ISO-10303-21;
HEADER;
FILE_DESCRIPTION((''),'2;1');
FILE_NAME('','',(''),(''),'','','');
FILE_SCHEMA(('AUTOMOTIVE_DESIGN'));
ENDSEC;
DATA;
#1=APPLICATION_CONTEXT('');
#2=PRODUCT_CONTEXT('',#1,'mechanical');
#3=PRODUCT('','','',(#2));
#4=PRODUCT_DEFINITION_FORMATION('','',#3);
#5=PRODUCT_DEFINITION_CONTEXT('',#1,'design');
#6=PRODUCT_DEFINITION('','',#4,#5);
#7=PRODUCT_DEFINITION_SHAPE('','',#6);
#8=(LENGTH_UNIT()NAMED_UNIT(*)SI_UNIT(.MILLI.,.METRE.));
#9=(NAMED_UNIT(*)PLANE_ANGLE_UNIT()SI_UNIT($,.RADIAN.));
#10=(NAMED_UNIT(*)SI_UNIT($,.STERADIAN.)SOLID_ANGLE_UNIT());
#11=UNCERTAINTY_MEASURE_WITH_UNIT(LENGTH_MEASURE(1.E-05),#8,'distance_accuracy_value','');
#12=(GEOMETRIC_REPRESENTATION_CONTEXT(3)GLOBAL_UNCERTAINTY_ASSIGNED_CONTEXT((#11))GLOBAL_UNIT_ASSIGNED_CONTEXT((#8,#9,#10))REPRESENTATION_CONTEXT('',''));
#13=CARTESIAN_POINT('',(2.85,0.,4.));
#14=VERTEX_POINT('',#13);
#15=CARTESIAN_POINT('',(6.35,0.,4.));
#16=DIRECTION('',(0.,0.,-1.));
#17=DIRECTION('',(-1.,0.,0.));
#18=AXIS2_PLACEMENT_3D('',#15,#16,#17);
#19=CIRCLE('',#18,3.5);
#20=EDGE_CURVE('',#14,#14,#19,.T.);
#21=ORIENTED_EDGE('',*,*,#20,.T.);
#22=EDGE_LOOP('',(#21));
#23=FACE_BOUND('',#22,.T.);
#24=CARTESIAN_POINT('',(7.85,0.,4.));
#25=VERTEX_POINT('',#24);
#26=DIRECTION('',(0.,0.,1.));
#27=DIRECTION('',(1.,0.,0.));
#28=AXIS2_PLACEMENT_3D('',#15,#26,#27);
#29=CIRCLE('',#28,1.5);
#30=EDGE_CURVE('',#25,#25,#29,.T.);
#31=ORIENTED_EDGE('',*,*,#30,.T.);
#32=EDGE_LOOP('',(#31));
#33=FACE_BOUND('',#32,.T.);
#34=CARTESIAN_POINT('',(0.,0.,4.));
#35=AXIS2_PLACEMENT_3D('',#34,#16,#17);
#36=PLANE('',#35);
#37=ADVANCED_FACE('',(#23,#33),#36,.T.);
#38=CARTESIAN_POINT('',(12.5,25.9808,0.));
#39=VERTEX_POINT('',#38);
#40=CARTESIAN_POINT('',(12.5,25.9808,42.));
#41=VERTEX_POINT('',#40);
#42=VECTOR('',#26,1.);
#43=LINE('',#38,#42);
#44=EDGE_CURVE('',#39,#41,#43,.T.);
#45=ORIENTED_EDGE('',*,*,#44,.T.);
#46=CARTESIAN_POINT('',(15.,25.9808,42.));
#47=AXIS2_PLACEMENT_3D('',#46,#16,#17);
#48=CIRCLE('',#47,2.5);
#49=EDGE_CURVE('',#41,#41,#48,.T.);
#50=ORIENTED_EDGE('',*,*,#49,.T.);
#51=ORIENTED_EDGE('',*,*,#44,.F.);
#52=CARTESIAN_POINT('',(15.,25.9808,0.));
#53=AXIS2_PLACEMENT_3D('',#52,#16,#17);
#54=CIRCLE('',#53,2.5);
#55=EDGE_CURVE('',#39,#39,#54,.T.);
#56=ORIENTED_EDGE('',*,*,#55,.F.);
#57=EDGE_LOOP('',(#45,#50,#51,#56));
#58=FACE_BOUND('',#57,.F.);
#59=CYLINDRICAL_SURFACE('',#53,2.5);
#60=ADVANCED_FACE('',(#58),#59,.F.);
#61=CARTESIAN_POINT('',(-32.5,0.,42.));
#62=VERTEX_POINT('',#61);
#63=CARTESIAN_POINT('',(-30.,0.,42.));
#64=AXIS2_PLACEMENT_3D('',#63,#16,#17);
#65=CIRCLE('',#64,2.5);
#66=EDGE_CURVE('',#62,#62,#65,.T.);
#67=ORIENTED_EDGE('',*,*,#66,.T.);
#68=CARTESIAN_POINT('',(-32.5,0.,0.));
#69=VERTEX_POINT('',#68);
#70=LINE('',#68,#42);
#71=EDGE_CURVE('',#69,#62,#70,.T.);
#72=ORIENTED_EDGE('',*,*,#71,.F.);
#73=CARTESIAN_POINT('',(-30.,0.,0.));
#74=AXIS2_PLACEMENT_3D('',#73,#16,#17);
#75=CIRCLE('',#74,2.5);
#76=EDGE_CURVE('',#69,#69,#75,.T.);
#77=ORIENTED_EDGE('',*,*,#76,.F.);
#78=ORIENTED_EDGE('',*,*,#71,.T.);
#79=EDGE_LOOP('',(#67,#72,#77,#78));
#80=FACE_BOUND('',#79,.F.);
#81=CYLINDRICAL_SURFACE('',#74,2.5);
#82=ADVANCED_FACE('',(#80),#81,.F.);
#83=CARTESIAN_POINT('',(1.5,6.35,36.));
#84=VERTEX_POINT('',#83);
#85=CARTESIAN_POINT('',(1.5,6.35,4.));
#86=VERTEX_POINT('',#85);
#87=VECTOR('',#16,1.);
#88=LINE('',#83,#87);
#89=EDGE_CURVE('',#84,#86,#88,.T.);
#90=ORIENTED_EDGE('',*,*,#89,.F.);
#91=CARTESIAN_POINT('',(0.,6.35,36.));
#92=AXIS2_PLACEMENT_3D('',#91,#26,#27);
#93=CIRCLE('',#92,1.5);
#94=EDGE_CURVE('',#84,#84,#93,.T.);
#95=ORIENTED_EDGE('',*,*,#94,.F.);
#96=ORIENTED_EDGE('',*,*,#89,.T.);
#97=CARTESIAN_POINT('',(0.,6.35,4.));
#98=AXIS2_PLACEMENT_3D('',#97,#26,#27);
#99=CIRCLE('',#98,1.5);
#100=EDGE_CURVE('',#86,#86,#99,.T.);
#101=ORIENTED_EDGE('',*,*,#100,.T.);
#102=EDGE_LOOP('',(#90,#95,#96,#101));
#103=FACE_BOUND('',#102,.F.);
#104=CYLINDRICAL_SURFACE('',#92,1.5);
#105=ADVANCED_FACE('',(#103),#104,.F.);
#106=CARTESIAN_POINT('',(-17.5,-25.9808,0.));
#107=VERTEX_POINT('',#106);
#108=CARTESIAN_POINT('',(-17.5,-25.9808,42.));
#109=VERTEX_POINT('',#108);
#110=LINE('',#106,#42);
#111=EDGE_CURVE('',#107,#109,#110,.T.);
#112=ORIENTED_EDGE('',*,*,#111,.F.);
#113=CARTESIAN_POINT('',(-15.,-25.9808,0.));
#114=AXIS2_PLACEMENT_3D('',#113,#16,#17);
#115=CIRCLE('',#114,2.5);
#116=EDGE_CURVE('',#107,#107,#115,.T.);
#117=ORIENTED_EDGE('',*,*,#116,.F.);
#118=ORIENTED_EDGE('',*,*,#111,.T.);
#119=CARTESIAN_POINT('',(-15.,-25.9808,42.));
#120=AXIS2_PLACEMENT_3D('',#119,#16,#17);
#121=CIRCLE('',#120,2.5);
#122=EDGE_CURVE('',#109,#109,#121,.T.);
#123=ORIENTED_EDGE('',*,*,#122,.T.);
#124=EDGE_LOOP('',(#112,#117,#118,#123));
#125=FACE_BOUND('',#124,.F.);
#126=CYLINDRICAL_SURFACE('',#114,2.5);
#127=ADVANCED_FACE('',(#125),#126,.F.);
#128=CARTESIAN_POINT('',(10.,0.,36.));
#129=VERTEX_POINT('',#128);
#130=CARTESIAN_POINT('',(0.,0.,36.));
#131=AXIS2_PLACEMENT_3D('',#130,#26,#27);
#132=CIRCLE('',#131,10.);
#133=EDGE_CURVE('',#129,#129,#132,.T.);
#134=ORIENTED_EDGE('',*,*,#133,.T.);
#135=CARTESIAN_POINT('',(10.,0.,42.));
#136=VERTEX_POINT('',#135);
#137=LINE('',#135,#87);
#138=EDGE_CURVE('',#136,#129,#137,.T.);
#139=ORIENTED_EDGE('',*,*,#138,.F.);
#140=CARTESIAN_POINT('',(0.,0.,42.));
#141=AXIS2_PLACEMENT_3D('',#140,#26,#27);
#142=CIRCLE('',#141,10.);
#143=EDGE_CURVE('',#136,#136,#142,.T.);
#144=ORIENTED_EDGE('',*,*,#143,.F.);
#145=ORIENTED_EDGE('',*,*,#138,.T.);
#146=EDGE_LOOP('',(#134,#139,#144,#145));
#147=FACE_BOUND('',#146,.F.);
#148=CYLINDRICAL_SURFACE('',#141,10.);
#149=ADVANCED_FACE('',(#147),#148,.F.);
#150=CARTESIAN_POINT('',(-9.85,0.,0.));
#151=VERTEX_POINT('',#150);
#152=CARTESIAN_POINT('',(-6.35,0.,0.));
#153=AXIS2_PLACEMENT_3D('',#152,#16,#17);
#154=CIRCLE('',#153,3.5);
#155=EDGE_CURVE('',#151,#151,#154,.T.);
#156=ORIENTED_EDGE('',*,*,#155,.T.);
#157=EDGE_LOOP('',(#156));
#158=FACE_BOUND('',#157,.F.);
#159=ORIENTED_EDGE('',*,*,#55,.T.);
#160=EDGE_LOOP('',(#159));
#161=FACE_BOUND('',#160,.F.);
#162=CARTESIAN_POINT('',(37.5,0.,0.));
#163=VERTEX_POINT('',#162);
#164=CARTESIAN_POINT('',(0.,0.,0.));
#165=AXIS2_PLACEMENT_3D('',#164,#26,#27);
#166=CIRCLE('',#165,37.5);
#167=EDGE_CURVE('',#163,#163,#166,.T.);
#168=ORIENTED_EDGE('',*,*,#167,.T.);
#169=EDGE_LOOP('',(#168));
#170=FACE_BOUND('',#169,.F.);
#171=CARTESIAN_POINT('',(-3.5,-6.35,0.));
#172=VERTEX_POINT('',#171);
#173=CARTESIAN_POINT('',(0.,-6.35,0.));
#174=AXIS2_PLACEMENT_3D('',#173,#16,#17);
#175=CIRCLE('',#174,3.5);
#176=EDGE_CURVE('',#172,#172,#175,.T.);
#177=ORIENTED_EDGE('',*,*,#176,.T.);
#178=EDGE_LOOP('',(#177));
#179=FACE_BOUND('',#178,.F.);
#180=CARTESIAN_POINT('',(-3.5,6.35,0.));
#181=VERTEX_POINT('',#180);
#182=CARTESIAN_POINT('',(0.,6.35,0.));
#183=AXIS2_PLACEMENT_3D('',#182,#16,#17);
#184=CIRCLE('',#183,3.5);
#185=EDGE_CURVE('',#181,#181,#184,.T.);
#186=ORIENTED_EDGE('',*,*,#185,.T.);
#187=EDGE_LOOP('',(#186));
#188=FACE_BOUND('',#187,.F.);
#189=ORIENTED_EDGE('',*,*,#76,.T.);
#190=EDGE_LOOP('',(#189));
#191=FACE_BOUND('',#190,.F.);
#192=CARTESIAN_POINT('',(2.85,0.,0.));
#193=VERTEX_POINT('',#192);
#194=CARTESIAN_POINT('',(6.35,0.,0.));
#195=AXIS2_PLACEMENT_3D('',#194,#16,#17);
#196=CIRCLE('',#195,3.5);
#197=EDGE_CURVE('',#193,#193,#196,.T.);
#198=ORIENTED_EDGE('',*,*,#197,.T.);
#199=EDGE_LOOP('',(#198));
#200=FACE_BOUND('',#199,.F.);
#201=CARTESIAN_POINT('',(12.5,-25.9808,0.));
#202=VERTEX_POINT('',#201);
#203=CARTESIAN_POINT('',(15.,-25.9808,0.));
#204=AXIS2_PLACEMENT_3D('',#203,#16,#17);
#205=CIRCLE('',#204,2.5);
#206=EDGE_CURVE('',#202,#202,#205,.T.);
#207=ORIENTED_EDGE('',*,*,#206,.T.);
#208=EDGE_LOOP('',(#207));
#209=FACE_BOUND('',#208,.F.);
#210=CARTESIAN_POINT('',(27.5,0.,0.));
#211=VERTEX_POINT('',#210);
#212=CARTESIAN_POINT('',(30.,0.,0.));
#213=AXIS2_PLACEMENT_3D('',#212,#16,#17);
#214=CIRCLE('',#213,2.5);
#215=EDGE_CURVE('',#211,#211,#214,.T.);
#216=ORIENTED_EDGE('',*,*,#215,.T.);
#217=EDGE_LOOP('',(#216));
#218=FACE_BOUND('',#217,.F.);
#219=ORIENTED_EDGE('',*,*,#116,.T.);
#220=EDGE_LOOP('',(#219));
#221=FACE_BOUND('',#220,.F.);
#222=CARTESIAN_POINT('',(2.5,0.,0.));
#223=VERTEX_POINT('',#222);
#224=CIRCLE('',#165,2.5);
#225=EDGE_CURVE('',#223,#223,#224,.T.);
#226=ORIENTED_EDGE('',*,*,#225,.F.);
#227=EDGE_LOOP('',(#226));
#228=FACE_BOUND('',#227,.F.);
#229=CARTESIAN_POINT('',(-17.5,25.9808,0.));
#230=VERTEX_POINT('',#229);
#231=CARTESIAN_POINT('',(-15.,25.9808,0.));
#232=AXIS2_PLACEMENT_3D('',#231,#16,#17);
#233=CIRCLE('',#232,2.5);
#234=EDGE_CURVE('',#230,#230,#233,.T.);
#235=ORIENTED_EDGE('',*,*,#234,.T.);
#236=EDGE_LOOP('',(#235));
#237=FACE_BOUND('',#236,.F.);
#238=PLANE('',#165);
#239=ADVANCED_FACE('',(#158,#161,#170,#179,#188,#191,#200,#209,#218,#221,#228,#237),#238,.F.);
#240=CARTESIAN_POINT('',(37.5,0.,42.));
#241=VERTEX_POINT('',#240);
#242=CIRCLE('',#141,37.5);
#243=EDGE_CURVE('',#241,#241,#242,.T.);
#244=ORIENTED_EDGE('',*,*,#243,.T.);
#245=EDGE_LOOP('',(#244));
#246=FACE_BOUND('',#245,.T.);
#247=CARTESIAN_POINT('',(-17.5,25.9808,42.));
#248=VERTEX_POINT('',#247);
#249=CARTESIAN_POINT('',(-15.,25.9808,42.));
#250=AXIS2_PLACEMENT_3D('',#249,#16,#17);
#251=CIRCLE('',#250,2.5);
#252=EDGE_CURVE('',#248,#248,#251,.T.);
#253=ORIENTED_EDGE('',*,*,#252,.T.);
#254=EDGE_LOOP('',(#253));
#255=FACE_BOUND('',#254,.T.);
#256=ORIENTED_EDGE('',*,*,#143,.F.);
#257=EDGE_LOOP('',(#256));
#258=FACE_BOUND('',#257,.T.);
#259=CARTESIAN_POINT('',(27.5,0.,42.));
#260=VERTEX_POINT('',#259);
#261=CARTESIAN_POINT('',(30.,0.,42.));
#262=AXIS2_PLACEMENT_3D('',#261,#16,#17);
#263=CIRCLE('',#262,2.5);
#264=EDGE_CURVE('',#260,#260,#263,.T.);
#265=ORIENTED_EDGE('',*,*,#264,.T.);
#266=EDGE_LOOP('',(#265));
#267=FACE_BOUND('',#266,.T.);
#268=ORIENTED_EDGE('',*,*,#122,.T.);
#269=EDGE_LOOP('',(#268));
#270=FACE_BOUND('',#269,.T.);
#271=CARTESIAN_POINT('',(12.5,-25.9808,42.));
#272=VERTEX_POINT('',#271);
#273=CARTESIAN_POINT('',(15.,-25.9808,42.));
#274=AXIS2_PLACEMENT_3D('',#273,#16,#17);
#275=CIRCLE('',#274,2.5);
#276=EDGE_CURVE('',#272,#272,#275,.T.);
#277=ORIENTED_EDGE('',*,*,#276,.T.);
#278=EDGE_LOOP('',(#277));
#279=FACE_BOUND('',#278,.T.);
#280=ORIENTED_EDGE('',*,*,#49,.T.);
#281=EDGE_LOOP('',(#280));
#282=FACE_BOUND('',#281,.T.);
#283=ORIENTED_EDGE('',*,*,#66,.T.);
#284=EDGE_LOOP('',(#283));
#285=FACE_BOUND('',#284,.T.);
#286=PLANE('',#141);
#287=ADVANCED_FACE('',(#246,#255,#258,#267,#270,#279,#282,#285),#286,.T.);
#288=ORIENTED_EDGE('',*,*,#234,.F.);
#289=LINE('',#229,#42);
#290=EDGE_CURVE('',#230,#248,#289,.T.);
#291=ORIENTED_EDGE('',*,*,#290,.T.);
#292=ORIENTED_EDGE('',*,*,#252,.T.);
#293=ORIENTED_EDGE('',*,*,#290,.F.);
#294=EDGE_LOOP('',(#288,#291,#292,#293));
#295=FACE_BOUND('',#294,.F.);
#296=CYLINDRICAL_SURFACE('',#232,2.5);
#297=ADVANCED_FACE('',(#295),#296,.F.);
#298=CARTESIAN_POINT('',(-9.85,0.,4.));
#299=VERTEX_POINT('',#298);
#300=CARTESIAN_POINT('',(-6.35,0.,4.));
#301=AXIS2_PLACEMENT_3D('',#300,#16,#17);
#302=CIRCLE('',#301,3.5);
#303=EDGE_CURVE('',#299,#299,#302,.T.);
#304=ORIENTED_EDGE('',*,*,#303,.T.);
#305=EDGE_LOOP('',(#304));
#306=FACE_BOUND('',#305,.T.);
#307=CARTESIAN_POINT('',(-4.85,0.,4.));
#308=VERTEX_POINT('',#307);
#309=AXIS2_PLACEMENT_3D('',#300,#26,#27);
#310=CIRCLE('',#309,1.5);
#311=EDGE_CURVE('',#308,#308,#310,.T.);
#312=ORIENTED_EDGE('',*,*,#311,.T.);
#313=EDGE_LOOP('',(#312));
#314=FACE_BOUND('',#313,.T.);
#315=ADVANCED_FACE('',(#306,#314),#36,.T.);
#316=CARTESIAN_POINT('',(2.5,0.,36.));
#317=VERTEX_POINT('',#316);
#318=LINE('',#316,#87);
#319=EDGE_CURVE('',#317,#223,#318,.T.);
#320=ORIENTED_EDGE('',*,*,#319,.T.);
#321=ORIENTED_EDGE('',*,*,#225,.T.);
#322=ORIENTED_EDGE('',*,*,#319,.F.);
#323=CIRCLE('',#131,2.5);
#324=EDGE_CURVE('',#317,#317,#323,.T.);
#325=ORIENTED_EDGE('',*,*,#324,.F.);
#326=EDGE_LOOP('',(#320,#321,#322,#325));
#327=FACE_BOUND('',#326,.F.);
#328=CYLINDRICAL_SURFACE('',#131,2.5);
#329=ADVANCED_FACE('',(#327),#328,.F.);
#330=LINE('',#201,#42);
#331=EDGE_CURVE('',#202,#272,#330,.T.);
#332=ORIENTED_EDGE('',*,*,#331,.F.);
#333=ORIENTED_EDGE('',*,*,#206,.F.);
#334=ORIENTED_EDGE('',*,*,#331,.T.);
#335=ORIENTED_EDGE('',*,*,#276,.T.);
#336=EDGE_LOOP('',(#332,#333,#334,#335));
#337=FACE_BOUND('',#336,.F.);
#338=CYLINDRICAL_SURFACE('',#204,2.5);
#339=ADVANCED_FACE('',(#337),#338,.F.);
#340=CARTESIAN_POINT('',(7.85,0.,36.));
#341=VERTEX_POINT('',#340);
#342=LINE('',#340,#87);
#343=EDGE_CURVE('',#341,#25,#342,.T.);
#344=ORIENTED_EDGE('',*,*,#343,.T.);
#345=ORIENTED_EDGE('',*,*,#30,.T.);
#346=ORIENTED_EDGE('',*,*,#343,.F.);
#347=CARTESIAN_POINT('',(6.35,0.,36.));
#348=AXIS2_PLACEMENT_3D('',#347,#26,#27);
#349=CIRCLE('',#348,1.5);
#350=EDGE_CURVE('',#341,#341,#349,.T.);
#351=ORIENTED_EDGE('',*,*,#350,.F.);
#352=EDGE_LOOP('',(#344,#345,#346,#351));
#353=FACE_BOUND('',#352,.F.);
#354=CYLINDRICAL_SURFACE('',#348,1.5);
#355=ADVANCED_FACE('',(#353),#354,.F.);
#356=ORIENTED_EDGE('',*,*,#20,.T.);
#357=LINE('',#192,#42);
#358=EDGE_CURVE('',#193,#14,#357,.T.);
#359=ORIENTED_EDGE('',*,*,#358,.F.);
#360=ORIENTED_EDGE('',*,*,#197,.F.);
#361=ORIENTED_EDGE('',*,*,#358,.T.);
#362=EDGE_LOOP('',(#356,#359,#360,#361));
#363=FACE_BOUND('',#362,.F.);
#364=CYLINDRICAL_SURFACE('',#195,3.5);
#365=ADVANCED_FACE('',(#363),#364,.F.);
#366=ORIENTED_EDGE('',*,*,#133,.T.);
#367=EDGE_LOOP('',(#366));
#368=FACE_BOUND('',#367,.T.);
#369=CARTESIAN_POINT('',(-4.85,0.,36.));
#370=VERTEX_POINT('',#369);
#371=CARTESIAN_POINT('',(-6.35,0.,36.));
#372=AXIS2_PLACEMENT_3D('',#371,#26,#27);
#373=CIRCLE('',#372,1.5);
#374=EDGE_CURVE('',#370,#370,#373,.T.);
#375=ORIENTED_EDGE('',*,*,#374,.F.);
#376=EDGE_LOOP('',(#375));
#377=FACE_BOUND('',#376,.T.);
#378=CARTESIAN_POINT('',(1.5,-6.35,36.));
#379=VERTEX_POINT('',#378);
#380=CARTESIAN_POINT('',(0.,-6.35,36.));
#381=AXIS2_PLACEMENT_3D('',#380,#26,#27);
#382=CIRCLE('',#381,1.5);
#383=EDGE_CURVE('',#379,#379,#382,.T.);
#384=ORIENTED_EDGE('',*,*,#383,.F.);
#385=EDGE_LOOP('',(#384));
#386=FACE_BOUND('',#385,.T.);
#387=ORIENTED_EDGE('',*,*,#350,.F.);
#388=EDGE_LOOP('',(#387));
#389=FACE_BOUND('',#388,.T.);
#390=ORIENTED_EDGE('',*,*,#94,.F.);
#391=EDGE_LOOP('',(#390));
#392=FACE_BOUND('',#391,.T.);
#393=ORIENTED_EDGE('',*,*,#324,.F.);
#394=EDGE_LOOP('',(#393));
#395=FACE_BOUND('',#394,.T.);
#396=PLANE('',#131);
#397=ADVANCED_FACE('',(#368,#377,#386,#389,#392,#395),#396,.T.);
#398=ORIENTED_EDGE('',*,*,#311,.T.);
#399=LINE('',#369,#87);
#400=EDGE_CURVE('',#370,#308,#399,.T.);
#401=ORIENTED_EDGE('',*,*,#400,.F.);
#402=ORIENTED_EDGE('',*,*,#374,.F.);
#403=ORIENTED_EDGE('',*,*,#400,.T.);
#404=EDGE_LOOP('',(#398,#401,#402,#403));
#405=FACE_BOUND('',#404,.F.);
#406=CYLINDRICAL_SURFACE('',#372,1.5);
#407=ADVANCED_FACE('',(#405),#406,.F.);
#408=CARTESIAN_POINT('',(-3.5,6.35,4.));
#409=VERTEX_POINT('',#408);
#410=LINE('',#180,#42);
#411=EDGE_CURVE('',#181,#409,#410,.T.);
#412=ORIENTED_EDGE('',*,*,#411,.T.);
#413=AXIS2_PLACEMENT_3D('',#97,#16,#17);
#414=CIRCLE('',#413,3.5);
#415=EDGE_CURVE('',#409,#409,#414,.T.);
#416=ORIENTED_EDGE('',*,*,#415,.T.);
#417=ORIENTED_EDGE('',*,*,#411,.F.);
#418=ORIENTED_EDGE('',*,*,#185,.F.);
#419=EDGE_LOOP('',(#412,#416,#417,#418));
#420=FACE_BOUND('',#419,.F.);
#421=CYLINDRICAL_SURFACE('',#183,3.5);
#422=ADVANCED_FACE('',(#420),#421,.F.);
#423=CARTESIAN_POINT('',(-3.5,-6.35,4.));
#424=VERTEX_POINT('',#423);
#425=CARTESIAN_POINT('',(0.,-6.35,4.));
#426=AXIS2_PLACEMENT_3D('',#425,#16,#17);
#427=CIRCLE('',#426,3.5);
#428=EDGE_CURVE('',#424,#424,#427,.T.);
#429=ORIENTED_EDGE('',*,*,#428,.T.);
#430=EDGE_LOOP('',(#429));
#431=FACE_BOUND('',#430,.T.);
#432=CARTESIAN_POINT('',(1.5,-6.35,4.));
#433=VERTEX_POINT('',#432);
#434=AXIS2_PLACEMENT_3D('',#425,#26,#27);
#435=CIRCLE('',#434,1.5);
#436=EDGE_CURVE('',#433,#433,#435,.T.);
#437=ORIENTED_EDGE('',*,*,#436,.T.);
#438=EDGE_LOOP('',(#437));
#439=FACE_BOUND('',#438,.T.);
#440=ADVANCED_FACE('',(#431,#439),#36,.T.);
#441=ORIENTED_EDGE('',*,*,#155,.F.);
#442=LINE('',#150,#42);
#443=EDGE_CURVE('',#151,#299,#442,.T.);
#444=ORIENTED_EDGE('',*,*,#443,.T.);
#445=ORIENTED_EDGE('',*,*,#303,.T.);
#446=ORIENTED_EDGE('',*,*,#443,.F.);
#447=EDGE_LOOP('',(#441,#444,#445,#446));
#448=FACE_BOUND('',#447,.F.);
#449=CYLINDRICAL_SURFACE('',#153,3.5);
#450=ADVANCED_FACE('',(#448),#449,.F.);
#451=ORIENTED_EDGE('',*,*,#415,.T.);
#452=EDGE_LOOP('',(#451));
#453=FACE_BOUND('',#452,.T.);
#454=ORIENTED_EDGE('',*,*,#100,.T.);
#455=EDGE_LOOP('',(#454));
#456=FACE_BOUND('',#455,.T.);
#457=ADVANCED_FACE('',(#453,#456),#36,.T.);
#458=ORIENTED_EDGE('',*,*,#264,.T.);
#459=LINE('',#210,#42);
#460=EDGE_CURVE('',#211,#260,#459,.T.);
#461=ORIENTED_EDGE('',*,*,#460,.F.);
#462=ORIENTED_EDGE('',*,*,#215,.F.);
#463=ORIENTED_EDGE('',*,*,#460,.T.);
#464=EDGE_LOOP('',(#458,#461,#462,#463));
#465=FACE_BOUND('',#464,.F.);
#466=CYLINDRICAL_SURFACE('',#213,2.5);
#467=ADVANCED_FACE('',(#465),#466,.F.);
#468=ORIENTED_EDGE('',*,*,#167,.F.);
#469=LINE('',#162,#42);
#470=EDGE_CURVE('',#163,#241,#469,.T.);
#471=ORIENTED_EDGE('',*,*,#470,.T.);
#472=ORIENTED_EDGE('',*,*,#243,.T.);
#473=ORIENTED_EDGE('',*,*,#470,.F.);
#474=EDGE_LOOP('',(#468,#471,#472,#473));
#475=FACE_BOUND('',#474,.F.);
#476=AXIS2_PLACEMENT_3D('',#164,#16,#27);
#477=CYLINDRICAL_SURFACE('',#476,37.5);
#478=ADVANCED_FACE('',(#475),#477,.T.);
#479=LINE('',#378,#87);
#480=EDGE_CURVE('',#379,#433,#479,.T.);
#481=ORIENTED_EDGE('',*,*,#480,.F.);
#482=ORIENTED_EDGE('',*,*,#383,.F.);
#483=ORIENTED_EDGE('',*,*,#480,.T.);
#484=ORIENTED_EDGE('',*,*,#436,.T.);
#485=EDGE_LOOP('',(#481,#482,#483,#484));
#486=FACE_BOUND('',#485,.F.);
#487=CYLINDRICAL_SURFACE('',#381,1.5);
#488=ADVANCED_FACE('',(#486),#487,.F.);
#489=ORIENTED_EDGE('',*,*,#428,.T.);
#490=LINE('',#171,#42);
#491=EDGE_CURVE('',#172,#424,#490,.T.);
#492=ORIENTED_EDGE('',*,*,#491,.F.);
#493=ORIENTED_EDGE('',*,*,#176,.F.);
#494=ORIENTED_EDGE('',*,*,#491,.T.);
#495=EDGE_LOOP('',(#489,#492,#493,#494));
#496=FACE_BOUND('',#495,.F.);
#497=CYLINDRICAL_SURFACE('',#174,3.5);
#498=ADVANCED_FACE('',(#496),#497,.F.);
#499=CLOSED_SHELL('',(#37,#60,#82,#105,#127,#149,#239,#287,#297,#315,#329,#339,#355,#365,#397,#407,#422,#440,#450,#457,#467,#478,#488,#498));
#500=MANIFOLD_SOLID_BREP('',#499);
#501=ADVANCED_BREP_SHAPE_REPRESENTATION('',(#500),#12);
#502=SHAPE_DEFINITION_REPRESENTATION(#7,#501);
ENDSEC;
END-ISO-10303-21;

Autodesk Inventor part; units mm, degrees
ref_plane "YZ Plane" through (0, 0, 0) normal (1, 0, 0) x (0, 1, 0)
ref_plane "XZ Plane" through (0, 0, 0) normal (0, 1, 0) x (-1, 0, 0)
ref_plane "XY Plane" through (0, 0, 0) normal (0, 0, 1) x (1, 0, 0)
sketch "Sketch1" plane through (0, 0, 0) normal (0, 0, 1) x (1, 0, 0)
  circle A0 centre (0, 0) radius 37.5
  dimension "d0" = 75
extrude "Extrusion1" add sketch "Sketch1" along normal blind 42
sketch "Sketch2" plane through (0, 0, 42) normal (0, 0, 1) x (1, 0, 0)
  circle A0 centre (0, 0) radius 10
  dimension "d3" = 20
extrude "Extrusion2" cut sketch "Sketch2" against normal blind 6
sketch "Sketch3" plane through (0, 0, 36) normal (0, 0, 1) x (1, 0, 0)
  circle A0 centre (6.35, 0) radius 1.5
  circle A1 centre (0, 6.35) radius 1.5
  circle A2 centre (-6.35, 0) radius 1.5
  circle A3 centre (0, -6.35) radius 1.5
  point P0 (0, 0)
  dimension "d6" = 3
  dimension "d7" = 6.35
  dimension "d10" = 360
extrude "Extrusion3" cut sketch "Sketch3" against normal through all
sketch "Sketch4" plane through (0, 0, 36) normal (0, 0, 1) x (1, 0, 0)
  circle A0 centre (0, 0) radius 2.5
  dimension "d14" = 5
extrude "Extrusion4" cut sketch "Sketch4" against normal through all
sketch "Sketch5" plane through (0, 0, 0) normal (0, 0, -1) x (-1, 0, 0)
  circle A0 centre (6.35, 0) radius 1.5 projected
  circle A1 centre (6.35, 0) radius 3.5
  circle A2 centre (0, 6.35) radius 3.5
  circle A3 centre (-6.35, 0) radius 3.5
  circle A4 centre (0, -6.35) radius 3.5
  point P0 (0, 0)
  dimension "d17" = 7
  dimension "d20" = 360
extrude "Extrusion5" cut sketch "Sketch5" against normal blind 4 contours A0 | A1 | A2 | A3 | A4
sketch "Sketch6" plane through (0, 0, 0) normal (0, 0, -1) x (-1, 0, 0)
  circle A0 centre (-30, 0) radius 2.5
  circle A1 centre (-15, -25.9808) radius 2.5
  circle A2 centre (15, -25.9808) radius 2.5
  circle A3 centre (30, 0) radius 2.5
  circle A4 centre (15, 25.9808) radius 2.5
  circle A5 centre (-15, 25.9808) radius 2.5
  point P0 (0, 0)
  dimension "d24" = 5
  dimension "d25" = 30
  dimension "d28" = 360
extrude "Extrusion6" cut sketch "Sketch6" against normal through all
properties part number "HA012" material "ABS Plastic"
